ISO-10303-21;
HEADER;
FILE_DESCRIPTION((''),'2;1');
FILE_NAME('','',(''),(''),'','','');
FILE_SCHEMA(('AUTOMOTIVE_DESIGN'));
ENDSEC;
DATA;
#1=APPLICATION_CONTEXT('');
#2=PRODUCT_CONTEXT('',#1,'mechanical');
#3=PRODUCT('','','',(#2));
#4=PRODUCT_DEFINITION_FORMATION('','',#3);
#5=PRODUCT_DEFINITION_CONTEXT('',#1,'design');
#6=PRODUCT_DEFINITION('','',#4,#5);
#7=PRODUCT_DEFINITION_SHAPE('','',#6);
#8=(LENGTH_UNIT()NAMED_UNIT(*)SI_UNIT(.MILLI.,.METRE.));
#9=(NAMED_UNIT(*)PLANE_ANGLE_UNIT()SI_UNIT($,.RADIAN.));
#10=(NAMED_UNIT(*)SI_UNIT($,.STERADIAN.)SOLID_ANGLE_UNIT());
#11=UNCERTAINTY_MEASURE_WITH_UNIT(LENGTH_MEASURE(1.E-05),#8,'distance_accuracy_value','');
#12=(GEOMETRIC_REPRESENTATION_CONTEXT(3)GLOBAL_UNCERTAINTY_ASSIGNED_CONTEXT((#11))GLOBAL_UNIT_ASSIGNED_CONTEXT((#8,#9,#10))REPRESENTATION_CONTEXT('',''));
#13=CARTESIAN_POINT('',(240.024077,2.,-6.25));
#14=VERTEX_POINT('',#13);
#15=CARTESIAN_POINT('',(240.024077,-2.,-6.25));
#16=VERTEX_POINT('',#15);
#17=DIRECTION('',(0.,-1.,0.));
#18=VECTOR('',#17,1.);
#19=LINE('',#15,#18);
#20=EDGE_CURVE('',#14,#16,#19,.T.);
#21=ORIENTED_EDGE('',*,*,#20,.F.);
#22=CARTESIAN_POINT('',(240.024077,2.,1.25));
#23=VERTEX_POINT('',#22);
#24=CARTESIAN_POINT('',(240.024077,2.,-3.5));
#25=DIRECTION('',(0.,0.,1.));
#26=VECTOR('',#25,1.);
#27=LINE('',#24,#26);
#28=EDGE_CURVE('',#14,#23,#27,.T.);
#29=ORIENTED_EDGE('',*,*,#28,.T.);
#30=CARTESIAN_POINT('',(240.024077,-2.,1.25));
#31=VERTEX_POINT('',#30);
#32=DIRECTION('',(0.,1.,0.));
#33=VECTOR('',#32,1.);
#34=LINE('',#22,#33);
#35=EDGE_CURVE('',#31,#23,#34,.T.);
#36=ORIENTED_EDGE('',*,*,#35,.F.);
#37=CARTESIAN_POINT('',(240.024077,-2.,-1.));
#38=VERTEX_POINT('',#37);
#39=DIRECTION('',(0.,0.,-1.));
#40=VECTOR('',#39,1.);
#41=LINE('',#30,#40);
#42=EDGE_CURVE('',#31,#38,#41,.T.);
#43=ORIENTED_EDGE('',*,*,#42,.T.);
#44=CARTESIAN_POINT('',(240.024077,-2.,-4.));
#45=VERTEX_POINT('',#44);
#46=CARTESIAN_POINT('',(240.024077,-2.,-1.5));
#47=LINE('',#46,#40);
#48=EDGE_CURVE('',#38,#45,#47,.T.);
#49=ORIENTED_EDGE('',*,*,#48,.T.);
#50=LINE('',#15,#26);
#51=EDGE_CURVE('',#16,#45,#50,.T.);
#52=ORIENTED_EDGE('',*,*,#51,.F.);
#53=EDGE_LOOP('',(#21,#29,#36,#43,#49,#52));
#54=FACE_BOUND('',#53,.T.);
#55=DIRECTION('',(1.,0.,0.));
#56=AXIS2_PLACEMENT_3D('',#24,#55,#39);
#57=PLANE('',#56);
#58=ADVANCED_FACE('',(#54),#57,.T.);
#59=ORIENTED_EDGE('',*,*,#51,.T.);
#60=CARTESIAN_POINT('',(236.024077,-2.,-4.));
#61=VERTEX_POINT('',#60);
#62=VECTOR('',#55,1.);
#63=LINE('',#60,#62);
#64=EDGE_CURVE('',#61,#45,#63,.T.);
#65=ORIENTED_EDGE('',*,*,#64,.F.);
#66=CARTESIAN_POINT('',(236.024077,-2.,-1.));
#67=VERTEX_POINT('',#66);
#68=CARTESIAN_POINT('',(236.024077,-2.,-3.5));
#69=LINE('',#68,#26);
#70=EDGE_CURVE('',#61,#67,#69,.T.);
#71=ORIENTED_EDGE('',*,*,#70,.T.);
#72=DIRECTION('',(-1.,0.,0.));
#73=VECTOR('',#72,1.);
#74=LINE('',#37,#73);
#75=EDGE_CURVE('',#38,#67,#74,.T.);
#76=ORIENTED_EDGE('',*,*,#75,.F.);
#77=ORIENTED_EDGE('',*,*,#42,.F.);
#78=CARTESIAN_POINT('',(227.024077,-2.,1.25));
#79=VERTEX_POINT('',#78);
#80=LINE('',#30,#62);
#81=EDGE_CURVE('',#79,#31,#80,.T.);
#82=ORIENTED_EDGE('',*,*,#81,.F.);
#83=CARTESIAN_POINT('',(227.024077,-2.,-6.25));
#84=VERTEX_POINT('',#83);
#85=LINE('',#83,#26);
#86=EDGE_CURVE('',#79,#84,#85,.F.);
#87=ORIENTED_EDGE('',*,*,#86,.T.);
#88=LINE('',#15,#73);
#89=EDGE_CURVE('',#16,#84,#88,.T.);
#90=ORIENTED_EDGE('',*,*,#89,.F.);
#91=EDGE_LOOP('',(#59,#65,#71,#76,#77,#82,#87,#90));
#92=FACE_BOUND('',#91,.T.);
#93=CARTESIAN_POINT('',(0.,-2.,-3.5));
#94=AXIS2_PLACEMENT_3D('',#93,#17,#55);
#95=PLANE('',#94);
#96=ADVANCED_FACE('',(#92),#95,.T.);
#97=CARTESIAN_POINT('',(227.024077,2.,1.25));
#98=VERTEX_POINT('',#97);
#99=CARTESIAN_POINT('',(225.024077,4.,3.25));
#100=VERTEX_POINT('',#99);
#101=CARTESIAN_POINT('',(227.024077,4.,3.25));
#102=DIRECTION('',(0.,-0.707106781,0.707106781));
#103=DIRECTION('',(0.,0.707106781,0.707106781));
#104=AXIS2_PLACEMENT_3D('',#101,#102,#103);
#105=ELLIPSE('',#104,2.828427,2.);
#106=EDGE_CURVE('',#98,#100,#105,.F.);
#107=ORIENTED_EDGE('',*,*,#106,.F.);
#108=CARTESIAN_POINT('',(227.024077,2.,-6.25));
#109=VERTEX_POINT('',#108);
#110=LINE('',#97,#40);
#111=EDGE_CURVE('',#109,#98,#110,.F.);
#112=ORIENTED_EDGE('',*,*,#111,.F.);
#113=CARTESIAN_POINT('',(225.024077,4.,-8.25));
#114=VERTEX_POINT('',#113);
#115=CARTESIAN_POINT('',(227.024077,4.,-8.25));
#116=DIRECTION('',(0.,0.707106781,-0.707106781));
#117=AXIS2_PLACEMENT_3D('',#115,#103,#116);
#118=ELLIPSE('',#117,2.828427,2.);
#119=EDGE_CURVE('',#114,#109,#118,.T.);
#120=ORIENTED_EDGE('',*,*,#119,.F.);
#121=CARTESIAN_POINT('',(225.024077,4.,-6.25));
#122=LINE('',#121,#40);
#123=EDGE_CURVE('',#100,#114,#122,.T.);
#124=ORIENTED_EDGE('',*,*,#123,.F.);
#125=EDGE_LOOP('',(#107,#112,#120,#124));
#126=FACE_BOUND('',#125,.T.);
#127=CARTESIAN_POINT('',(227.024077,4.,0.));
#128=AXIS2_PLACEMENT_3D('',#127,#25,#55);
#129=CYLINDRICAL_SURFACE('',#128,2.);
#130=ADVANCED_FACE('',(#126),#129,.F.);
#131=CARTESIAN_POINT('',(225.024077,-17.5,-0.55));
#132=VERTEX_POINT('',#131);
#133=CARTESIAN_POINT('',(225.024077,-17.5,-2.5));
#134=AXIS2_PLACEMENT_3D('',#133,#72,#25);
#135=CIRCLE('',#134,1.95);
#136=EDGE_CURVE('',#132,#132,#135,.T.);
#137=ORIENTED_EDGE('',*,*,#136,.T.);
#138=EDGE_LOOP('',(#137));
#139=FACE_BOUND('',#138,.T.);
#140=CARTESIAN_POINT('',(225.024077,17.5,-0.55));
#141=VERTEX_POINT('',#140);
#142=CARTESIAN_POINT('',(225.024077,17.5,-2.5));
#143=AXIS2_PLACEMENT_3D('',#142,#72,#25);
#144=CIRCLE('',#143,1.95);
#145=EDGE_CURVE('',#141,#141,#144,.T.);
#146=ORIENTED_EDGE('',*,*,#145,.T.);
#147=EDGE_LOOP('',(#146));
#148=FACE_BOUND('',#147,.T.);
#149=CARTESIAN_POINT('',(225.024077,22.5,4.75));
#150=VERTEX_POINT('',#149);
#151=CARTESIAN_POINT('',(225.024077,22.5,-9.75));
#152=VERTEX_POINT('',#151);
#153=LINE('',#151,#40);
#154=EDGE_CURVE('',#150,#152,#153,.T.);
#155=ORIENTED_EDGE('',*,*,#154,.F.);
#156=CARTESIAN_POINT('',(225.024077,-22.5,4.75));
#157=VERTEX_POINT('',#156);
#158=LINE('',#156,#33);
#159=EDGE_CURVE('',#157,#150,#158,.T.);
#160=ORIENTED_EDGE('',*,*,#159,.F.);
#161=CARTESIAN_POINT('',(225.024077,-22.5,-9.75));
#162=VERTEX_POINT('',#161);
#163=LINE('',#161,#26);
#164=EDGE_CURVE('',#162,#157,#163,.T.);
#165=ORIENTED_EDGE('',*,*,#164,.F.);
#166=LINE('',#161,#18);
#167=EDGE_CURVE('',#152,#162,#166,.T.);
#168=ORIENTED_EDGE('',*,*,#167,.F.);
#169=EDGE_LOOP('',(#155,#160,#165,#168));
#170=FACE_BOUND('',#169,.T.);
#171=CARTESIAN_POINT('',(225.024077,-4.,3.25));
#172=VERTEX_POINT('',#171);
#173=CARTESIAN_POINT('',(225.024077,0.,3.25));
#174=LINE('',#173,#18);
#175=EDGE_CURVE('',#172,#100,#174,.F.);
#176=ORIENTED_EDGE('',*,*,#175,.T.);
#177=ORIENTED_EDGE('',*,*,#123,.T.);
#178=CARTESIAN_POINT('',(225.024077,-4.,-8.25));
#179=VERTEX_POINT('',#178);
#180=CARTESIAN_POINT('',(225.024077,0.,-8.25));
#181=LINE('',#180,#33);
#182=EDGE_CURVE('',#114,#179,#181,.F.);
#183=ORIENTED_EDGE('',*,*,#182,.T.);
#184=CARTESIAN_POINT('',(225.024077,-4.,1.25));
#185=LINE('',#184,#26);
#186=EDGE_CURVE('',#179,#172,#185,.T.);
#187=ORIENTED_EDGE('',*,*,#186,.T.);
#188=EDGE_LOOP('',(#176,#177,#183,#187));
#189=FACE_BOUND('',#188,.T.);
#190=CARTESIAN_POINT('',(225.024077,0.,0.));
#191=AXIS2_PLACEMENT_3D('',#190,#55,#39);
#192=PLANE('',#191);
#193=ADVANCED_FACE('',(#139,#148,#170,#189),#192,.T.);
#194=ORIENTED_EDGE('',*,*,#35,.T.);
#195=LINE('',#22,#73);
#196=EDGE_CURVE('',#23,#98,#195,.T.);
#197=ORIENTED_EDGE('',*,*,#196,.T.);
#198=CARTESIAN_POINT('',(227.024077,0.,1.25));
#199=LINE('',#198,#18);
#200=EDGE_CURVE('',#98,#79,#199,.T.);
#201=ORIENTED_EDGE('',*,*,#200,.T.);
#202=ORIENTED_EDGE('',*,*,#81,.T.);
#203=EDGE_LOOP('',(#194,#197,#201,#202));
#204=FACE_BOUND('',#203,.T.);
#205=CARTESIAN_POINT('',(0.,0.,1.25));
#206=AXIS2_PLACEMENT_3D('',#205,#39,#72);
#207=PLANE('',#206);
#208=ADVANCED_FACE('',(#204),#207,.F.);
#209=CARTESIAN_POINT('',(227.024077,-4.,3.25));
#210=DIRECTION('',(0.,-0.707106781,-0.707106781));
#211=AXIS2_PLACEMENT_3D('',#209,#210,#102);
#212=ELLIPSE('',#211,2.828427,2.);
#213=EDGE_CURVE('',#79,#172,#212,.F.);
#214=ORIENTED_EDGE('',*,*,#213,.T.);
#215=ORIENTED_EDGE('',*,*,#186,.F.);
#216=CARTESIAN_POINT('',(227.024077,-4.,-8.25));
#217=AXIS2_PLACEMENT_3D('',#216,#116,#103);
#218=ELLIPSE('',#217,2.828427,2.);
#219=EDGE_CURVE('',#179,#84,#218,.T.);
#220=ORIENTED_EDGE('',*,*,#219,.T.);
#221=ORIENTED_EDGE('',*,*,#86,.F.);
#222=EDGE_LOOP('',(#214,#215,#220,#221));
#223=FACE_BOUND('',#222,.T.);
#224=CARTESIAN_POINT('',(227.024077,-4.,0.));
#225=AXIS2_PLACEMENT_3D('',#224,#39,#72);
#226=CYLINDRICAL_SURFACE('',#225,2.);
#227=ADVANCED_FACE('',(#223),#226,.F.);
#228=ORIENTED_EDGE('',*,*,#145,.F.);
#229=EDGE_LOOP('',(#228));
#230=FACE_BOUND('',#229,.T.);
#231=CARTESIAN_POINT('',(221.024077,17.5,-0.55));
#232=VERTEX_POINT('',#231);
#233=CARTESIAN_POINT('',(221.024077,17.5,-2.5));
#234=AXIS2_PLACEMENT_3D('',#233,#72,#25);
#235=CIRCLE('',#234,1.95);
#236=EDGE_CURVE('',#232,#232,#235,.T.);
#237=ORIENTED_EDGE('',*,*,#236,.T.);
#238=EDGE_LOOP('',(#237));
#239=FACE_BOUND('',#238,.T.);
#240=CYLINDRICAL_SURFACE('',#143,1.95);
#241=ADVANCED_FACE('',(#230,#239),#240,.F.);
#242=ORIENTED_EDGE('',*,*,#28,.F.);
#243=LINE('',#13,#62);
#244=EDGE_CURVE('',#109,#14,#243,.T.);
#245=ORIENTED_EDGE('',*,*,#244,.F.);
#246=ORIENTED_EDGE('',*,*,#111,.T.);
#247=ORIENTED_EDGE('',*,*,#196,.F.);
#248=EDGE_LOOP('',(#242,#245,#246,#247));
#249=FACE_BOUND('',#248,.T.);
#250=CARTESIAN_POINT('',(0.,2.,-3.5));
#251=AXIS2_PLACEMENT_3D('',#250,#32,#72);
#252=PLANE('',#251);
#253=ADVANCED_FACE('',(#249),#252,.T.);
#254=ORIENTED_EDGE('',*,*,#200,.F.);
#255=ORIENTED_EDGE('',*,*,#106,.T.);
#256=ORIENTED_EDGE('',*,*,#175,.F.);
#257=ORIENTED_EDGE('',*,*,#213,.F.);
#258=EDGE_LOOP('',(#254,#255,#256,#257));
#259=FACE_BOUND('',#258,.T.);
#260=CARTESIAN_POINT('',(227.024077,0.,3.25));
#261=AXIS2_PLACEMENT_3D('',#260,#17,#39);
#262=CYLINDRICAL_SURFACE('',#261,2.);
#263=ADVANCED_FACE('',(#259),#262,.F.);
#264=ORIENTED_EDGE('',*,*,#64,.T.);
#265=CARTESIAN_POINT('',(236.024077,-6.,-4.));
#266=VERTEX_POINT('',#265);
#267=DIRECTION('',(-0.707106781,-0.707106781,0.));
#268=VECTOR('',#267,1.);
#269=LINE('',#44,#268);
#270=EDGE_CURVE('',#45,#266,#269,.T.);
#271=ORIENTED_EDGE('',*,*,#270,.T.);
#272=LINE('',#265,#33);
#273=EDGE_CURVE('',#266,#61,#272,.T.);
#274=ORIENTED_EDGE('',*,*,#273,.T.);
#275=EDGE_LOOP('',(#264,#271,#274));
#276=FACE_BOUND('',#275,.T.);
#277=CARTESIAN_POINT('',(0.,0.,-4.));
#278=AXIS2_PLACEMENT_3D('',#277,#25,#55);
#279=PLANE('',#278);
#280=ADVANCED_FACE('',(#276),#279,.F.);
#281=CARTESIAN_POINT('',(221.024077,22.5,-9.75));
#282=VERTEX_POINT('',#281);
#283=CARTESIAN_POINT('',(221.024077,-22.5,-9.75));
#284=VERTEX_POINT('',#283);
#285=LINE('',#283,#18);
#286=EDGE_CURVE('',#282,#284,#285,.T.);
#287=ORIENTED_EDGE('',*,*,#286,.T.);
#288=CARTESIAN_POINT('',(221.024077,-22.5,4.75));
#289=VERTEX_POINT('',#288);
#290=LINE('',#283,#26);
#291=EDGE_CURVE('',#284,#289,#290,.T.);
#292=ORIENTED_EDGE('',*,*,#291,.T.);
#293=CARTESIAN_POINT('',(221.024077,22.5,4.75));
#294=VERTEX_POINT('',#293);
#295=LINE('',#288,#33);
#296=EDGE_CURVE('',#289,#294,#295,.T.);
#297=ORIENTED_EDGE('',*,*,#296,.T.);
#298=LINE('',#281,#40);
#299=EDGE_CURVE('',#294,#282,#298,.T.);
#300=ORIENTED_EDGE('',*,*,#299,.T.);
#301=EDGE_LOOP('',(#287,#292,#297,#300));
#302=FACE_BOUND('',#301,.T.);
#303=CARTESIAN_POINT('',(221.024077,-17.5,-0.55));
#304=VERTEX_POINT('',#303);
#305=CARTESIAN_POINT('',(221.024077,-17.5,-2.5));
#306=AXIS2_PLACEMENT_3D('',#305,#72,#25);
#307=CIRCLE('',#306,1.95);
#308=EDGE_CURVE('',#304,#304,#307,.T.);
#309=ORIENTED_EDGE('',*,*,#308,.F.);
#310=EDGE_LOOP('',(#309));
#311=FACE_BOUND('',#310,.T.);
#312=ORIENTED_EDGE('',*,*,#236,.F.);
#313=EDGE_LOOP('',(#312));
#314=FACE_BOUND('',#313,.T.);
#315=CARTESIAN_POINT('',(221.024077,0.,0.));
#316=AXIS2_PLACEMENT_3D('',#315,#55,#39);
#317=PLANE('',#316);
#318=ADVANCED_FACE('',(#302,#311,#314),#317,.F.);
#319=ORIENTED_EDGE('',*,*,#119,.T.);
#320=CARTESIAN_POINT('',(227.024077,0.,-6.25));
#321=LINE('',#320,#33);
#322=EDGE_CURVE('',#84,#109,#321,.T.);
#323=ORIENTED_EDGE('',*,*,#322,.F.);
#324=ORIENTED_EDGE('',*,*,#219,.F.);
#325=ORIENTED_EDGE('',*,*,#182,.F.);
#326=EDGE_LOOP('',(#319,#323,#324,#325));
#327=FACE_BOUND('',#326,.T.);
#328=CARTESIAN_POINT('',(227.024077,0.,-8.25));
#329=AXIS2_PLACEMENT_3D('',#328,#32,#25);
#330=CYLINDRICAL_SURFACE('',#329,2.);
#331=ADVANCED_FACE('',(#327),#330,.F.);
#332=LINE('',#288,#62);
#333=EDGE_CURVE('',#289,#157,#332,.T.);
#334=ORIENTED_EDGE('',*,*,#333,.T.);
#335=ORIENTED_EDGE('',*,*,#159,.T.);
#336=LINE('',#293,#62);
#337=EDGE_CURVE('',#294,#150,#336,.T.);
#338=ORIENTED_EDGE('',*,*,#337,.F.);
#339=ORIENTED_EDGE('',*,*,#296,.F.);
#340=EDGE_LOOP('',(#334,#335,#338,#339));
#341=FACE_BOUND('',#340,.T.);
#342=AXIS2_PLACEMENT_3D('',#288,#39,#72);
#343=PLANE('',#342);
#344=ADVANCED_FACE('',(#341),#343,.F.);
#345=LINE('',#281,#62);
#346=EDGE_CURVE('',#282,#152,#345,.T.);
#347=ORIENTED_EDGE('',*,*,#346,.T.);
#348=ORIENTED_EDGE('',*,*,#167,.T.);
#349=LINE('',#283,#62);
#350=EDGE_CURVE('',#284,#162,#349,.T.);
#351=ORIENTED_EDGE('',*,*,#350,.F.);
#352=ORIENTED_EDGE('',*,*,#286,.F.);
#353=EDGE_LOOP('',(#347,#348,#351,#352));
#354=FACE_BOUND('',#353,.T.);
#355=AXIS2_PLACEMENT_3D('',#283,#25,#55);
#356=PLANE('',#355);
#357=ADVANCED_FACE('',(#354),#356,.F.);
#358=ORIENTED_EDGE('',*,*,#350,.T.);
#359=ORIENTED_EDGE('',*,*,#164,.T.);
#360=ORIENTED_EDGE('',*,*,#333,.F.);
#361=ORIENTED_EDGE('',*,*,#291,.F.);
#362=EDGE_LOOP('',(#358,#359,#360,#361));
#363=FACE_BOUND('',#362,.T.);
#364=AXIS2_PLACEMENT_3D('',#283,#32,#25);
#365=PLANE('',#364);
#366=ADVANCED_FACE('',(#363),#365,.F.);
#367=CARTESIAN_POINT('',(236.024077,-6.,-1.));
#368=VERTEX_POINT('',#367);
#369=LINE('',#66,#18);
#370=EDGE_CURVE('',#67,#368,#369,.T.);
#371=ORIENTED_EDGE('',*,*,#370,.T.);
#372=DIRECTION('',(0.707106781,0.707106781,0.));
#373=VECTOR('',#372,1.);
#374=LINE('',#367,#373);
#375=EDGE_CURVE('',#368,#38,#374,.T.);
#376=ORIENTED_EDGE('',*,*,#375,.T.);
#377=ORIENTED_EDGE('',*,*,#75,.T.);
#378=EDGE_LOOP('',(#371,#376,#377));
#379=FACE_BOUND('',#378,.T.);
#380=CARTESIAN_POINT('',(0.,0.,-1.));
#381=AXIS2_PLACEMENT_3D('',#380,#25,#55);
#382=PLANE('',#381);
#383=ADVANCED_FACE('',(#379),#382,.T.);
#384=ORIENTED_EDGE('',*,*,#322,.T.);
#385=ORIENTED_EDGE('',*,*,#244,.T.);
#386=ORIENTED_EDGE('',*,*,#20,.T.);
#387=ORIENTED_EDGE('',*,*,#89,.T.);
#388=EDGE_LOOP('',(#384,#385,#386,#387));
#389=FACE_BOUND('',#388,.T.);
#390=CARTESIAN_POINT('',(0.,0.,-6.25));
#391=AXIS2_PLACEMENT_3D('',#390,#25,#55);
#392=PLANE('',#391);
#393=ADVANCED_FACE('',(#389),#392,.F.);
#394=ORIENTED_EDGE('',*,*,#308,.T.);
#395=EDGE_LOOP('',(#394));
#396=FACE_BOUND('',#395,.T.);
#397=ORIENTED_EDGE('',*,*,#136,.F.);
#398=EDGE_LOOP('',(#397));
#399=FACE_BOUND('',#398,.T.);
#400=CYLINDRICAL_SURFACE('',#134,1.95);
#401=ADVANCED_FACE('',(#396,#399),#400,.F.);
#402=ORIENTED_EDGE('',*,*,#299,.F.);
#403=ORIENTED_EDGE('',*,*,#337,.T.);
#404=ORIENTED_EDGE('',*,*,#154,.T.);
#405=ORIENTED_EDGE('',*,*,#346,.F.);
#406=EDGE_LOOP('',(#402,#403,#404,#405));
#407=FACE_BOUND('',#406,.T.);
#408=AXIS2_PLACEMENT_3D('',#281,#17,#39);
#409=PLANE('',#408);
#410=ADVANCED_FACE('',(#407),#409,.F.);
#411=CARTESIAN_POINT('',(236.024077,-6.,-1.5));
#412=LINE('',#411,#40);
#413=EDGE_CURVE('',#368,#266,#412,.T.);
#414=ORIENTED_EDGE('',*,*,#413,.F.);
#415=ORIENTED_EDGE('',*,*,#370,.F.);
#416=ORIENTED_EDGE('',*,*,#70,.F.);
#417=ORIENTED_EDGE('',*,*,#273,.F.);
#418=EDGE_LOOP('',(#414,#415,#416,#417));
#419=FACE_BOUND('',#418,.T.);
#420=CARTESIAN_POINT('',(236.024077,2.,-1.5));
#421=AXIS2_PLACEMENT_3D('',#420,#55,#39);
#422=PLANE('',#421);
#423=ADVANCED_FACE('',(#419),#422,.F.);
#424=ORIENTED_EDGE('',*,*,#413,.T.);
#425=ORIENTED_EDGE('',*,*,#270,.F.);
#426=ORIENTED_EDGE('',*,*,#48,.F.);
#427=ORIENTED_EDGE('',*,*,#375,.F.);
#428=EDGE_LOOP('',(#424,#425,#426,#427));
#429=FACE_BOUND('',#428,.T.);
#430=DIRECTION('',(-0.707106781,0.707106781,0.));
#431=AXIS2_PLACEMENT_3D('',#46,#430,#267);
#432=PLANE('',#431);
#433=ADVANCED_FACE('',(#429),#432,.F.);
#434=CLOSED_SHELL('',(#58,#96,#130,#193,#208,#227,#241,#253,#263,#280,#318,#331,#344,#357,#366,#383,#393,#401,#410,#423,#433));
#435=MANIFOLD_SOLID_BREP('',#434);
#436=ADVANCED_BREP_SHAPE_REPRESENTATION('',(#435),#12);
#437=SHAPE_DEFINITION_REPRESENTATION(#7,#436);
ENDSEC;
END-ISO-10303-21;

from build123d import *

# Parameters (mm, degrees)
BOSS_EXTRUDE1_DEPTH      = 1
BOSS_EXTRUDE1_DEPTH_BACK = 1
SKETCH2_R                = 2
SKETCH2_R_2              = 1
BOSS_EXTRUDE2_DEPTH      = 4
SKETCH4_R                = 1.07
CUT_EXTRUDE1_DEPTH       = 233.583689314
BOSS_EXTRUDE3_DEPTH      = 2
SKETCH8_W                = 4
SKETCH8_H                = 8
BOSS_EXTRUDE4_DEPTH      = 2
CUT_EXTRUDE2_DEPTH       = 2
SKETCH10_W               = 16.5
SKETCH10_H               = 4
BOSS_EXTRUDE5_DEPTH      = 2.75
SKETCH11_W               = 16.5
SKETCH11_H               = 4
BOSS_EXTRUDE6_DEPTH      = 2.75
BOSS_EXTRUDE7_DEPTH      = 0.5
BOSS_EXTRUDE8_DEPTH      = 0.5
SKETCH14_W               = 1.779922348
SKETCH14_H               = 4
BOSS_EXTRUDE9_DEPTH      = 7.5
CUT_EXTRUDE3_DEPTH       = 10
CUT_EXTRUDE3_DEPTH_BACK  = 2
SKETCH15_W               = 40
SKETCH15_H               = 27.31360861
SKETCH16_W               = 14.5
SKETCH16_H               = 45
BOSS_EXTRUDE10_DEPTH     = 4
SKETCH18_R               = 1.95
CUT_EXTRUDE4_DEPTH       = 4
FILLET1_R                = 2


with BuildPart() as part:
    # Sketch2 → Boss-Extrude1 (new, two sides: drawn at the far end of the back side and taken through both)
    # profile 1 of 2: a face of its own
    with BuildSketch(Plane.XY.offset(-2.5).offset(-BOSS_EXTRUDE1_DEPTH_BACK)):
        with BuildLine():
            ThreePointArc((230.02407749, -2), (228.02407749, 0), (230.02407749, 2))
            Line((230.02407749, 2), (225.02407749, 2))
            Line((225.02407749, 2), (225.02407749, -2))
            Line((225.02407749, -2), (230.02407749, -2))
        make_face()
    # profile 2 of 2: a face of its own
    with BuildSketch(Plane.XY.offset(-2.5).offset(-BOSS_EXTRUDE1_DEPTH_BACK)):
        with Locations((230.02407749, 0)):
            Circle(SKETCH2_R)
        with Locations((230.02407749, 0)):
            Circle(SKETCH2_R_2, mode=Mode.SUBTRACT)
    extrude(amount=BOSS_EXTRUDE1_DEPTH + BOSS_EXTRUDE1_DEPTH_BACK)

    # Sketch3 → Boss-Extrude2 (add)
    with BuildSketch(Plane(origin=(0, 2, 0), x_dir=(1, 0, 0), z_dir=(0, 1, 0))):
        Polygon((223.02407749, 2.5), (225.02407749, 2.5), (225.02407749, 3.5), (222.02407749, 10.5), (216.095506061, 10.5), (216.095506061, 8.5), (221.095506061, 8.5), (223.02407749, 4), align=None)
        Polygon((222.02407749, -5.5), (225.02407749, 1.5), (225.02407749, 2.5), (223.02407749, 2.5), (223.02407749, 1), (221.095506061, -3.5), (216.095506061, -3.5), (216.095506061, -5.5), align=None)
    extrude(amount=-BOSS_EXTRUDE2_DEPTH)

    # Sketch4 → Cut-Extrude1 (cut, through all)
    with BuildSketch(Plane(origin=(0, 0, -10.5), x_dir=(-1, 0, 0), z_dir=(0, 0, -1))):
        with Locations((-218.095506061, 0)):
            Circle(SKETCH4_R)
    extrude(amount=-CUT_EXTRUDE1_DEPTH, mode=Mode.SUBTRACT)

    # Sketch6 → Boss-Extrude3 (add)
    with BuildSketch(Plane.XY.offset(-1.5)):
        Polygon((230.02407749, 2), (240.02407749, 2), (240.02407749, -2), (230.02407749, -2), (228.102487775, -2), (228.102487775, 2), align=None)
    extrude(amount=-BOSS_EXTRUDE3_DEPTH)

    # Sketch8 → Boss-Extrude4 (add)
    with BuildSketch(Plane(origin=(0, 0, -3.5), x_dir=(-1, 0, 0), z_dir=(0, 0, -1))):
        with Locations((-238.02407749, -2)):
            Rectangle(SKETCH8_W, SKETCH8_H)
    extrude(amount=-BOSS_EXTRUDE4_DEPTH)

    # Sketch9 → Cut-Extrude2 (cut)
    with BuildSketch(Plane(origin=(0, 0, -3.5), x_dir=(-1, 0, 0), z_dir=(0, 0, -1))):
        Polygon((-236.02407749, -6), (-240.02407749, -6), (-240.02407749, -2), align=None)
    extrude(amount=-CUT_EXTRUDE2_DEPTH, mode=Mode.SUBTRACT)

    # Sketch10 → Boss-Extrude5 (add)
    with BuildSketch(Plane(origin=(0, 0, -3.5), x_dir=(-1, 0, 0), z_dir=(0, 0, -1))):
        with Locations((-231.77407749, 0)):
            Rectangle(SKETCH10_W, SKETCH10_H)
    extrude(amount=BOSS_EXTRUDE5_DEPTH)

    # Sketch11 → Boss-Extrude6 (add)
    with BuildSketch(Plane.XY.offset(-1.5)):
        with Locations((231.77407749, 0)):
            Rectangle(SKETCH11_W, SKETCH11_H)
    extrude(amount=BOSS_EXTRUDE6_DEPTH)

    # Sketch12 → Boss-Extrude7 (add)
    with BuildSketch(Plane(origin=(0, 0, -3.5), x_dir=(-1, 0, 0), z_dir=(0, 0, -1))):
        Polygon((-240.02407749, -2), (-236.02407749, -6), (-236.02407749, -2), align=None)
    extrude(amount=BOSS_EXTRUDE7_DEPTH)

    # Sketch13 → Boss-Extrude8 (add)
    with BuildSketch(Plane.XY.offset(-1.5)):
        Polygon((236.02407749, -2), (236.02407749, -6), (240.02407749, -2), align=None)
    extrude(amount=BOSS_EXTRUDE8_DEPTH)

    # Sketch14 → Boss-Extrude9 (add)
    with BuildSketch(Plane(origin=(0, 0, -6.25), x_dir=(-1, 0, 0), z_dir=(0, 0, -1))):
        with Locations((-223.914038664, 0)):
            Rectangle(SKETCH14_W, SKETCH14_H)
    extrude(amount=-BOSS_EXTRUDE9_DEPTH)

    # Sketch15 → Cut-Extrude3 (cut, two sides: drawn at the far end of the back side and taken through both)
    with BuildSketch(Plane.ZY.offset(-223.02407749).offset(-CUT_EXTRUDE3_DEPTH_BACK)):
        with Locations((-2.5, 0)):
            Rectangle(SKETCH15_W, SKETCH15_H)
    extrude(amount=CUT_EXTRUDE3_DEPTH + CUT_EXTRUDE3_DEPTH_BACK, mode=Mode.SUBTRACT)

    # Sketch16 → Boss-Extrude10 (add)
    with BuildSketch(Plane.ZY.offset(-225.02407749)):
        with Locations((-2.5, 0)):
            Rectangle(SKETCH16_W, SKETCH16_H)
    extrude(amount=BOSS_EXTRUDE10_DEPTH)

    # Sketch18 → Cut-Extrude4 (cut)
    with BuildSketch(Plane.ZY.offset(-221.02407749)):
        with Locations((-2.5, 17.5)):
            Circle(SKETCH18_R)
        with Locations((-2.5, -17.5)):
            Circle(SKETCH18_R)
    extrude(amount=-CUT_EXTRUDE4_DEPTH, mode=Mode.SUBTRACT)

    # Fillet1
    fillet1_edges = [part.edges().sort_by_distance(p)[0] for p in [
        (225.02407749, 0, 1.25),
        (225.02407749, 0, -6.25),
        (225.02407749, -2, -2.5),
        (225.02407749, 2, -2.5),
    ]]
    fillet(fillet1_edges, radius=FILLET1_R)


solid = part.part
